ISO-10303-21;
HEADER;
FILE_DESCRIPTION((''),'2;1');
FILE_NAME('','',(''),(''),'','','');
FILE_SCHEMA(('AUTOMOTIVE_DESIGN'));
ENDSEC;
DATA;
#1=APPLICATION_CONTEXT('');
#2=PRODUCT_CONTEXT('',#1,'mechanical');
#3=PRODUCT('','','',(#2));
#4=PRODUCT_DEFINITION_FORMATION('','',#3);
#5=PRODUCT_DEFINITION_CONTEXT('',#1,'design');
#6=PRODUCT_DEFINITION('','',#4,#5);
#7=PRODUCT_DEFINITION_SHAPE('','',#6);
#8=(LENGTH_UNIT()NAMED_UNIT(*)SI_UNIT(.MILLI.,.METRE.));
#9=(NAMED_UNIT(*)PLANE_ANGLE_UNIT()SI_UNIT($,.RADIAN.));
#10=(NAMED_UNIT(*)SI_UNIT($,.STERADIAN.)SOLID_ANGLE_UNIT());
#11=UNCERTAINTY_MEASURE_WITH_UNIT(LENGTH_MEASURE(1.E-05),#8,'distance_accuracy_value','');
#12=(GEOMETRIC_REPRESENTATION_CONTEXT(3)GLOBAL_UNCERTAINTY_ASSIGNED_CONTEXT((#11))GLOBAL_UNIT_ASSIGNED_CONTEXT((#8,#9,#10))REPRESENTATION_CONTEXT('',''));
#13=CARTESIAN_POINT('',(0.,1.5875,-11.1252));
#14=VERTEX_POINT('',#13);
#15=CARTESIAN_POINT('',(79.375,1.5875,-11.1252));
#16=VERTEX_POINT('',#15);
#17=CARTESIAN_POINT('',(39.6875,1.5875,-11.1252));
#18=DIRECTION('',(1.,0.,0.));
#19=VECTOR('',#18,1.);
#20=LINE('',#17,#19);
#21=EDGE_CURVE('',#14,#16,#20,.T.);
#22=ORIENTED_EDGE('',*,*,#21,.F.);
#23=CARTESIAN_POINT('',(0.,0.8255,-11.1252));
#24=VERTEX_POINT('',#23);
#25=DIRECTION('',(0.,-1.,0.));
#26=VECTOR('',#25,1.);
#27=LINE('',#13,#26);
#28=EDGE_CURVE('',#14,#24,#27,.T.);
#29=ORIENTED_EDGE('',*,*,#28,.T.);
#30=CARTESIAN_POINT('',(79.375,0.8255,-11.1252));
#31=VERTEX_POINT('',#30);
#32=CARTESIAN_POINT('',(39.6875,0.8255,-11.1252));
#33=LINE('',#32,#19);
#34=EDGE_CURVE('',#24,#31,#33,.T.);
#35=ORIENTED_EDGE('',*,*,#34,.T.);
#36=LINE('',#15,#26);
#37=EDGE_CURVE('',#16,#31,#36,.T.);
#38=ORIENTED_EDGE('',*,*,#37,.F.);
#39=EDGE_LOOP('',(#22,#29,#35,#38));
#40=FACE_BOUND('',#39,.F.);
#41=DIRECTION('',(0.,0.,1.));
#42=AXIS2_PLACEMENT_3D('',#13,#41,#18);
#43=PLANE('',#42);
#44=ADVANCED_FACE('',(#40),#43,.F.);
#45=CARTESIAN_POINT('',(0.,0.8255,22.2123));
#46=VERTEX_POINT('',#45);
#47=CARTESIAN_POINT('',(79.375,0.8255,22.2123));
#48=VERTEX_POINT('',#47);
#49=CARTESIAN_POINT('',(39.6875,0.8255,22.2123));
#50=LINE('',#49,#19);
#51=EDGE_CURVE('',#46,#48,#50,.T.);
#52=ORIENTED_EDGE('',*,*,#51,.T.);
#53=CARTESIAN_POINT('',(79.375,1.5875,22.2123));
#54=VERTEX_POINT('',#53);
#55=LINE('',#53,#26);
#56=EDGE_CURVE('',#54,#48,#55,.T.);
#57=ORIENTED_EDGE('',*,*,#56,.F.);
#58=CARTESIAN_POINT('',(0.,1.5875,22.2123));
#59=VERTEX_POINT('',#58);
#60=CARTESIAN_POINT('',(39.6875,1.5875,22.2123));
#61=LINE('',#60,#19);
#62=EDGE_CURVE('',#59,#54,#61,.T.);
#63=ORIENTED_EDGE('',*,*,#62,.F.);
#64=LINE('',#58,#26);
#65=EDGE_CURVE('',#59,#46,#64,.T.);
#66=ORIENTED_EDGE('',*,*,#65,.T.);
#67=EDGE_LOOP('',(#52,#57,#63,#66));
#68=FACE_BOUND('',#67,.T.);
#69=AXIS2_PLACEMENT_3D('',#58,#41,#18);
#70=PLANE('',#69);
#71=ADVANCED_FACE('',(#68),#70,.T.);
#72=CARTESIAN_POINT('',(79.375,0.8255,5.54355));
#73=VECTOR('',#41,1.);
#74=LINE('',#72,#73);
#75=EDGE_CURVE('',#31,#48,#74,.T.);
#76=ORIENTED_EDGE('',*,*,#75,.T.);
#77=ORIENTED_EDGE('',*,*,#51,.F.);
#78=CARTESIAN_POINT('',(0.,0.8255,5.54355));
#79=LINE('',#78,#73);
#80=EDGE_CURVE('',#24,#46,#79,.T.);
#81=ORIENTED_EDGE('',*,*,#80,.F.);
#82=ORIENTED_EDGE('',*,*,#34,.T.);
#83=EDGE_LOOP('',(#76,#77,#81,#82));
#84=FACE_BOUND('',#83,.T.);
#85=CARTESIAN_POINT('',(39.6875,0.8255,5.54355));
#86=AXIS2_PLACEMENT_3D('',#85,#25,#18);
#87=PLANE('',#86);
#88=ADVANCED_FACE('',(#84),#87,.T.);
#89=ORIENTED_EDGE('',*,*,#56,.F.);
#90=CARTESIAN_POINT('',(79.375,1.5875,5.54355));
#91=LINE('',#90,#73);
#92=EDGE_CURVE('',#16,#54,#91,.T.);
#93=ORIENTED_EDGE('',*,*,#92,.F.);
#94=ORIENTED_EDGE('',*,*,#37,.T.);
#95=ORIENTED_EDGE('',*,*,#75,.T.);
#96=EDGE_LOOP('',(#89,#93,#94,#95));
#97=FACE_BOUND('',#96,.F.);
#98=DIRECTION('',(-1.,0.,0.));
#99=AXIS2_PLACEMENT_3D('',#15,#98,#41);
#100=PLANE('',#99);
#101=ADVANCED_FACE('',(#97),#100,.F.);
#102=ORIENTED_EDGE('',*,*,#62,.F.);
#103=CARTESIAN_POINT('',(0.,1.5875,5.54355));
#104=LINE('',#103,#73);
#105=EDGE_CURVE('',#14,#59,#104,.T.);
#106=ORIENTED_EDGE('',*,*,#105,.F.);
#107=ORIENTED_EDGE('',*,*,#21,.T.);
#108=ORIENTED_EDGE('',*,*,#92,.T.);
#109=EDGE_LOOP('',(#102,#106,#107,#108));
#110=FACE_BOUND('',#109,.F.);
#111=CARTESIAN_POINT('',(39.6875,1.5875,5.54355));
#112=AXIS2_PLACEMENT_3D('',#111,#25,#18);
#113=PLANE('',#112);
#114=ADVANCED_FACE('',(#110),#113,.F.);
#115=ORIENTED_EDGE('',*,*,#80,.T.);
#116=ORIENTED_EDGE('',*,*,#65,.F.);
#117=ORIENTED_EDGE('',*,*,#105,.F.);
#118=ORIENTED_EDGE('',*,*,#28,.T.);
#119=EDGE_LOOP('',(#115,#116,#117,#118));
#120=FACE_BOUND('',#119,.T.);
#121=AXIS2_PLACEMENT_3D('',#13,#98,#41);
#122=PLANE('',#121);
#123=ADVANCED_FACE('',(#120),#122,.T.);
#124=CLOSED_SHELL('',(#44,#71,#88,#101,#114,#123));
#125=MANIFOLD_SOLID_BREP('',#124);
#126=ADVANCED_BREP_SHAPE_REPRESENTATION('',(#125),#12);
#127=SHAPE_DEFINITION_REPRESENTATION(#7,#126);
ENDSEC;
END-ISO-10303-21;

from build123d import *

# Parameters (mm, degrees)
F0_W     = 79.375
F0_H     = 33.3375
F1_DEPTH = 0.762


with BuildPart() as f1:
    # F0 (on Front) → F1 (new body)
    with BuildSketch(Plane.XZ):
        with Locations((39.6875, 16.66875)):
            Rectangle(F0_W, F0_H)
    extrude(amount=F1_DEPTH)


with BuildPart() as f1_1:
    # F2: moved
    add(f1.part.moved(Location((0, 0, -11.1252))))


with BuildPart() as f1_2:
    # F3: moved
    add(f1_1.part.moved(Location((0, 1.5875, 0))))


solid = f1_2.part
